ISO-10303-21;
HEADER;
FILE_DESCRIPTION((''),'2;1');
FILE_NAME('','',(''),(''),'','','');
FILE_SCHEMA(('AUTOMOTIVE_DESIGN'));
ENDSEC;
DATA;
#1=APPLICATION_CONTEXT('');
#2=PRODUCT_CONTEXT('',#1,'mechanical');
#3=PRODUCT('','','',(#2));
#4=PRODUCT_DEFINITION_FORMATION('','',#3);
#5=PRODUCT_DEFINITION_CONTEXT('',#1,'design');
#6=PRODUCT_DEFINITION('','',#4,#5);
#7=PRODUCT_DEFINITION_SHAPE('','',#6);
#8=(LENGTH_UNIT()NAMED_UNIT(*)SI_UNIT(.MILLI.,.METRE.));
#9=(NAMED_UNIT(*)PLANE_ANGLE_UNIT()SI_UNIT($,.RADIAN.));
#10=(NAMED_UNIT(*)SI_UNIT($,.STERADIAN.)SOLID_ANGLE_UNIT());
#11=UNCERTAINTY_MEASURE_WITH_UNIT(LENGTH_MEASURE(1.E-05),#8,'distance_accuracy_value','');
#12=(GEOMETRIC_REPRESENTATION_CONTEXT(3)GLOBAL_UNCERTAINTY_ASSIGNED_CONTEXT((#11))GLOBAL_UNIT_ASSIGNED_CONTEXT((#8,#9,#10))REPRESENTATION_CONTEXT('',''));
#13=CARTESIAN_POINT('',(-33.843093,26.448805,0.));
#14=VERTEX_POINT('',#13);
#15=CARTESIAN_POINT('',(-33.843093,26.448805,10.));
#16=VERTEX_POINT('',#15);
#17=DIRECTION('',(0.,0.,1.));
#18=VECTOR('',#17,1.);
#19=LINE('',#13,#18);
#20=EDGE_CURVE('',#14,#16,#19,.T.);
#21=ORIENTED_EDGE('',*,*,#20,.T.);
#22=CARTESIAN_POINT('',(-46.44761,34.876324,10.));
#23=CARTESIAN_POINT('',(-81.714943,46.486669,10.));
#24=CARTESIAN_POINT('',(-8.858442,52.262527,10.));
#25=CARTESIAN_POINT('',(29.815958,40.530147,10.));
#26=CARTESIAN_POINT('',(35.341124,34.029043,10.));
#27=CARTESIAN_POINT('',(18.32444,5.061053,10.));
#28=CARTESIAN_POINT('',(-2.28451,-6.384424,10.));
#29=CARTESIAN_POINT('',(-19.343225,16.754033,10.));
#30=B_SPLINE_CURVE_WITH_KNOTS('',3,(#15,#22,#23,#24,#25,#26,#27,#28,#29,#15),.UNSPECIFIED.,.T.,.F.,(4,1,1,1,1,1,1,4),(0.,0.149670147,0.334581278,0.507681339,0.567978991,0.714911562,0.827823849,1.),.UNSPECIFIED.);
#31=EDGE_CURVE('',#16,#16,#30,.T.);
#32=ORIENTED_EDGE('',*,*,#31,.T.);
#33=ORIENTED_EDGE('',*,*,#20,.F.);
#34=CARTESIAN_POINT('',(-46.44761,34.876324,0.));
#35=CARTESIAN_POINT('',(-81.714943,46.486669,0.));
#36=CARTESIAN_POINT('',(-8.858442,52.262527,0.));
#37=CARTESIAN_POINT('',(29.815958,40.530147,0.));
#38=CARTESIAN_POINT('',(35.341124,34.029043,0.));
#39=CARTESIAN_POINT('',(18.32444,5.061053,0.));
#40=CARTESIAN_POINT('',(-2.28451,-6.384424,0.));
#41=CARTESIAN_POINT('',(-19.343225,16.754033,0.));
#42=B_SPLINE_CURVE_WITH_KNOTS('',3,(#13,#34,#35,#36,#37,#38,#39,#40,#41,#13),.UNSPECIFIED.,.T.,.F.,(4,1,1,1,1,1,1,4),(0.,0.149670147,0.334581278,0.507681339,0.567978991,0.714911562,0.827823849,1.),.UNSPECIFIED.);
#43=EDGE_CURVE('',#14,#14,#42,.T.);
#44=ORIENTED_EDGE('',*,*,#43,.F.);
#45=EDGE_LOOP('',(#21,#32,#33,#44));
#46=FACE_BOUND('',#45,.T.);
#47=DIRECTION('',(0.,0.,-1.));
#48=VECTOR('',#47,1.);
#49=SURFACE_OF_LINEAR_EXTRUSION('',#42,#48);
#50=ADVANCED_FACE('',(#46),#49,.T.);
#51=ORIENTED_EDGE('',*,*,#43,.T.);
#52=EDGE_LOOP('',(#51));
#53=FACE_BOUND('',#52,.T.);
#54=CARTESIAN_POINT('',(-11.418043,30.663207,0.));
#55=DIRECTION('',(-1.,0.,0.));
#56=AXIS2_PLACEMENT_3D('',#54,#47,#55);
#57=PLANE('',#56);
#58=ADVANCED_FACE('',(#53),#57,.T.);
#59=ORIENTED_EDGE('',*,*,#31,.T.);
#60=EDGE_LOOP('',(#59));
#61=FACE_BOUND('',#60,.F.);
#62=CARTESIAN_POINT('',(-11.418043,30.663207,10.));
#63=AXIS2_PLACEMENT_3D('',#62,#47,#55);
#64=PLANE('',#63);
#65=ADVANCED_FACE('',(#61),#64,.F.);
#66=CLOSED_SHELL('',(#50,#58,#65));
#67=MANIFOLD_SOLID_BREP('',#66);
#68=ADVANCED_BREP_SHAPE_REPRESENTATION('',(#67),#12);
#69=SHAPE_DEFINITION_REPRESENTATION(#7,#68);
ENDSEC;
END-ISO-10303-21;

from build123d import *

# Parameters (mm, degrees)
F1_DEPTH = 10


with BuildPart() as f1:
    # F0 (on Top) → F1 (new body)
    with BuildSketch(Plane.XY):
        with BuildLine():
            add(Edge.make_bspline(
                [(-33.8430926204, 26.4488048851), (-46.4476098096, 34.8763243721), (-81.7149431495, 46.4866686379), (-8.8584419968, 52.2625269889), (29.8159576776, 40.5301467559), (35.3411239407, 34.0290433529), (18.3244399709, 5.0610530037), (-2.284510054, -6.3844242426), (-19.3432253734, 16.7540334038), (-33.8430926204, 26.4488048851)],
                knots=[0, 0, 0, 0, 0.1496701467, 0.3345812778, 0.5076813392, 0.5679789911, 0.7149115616, 0.8278238487, 1, 1, 1, 1], degree=3))
        make_face()
    extrude(amount=F1_DEPTH)


solid = f1.part
